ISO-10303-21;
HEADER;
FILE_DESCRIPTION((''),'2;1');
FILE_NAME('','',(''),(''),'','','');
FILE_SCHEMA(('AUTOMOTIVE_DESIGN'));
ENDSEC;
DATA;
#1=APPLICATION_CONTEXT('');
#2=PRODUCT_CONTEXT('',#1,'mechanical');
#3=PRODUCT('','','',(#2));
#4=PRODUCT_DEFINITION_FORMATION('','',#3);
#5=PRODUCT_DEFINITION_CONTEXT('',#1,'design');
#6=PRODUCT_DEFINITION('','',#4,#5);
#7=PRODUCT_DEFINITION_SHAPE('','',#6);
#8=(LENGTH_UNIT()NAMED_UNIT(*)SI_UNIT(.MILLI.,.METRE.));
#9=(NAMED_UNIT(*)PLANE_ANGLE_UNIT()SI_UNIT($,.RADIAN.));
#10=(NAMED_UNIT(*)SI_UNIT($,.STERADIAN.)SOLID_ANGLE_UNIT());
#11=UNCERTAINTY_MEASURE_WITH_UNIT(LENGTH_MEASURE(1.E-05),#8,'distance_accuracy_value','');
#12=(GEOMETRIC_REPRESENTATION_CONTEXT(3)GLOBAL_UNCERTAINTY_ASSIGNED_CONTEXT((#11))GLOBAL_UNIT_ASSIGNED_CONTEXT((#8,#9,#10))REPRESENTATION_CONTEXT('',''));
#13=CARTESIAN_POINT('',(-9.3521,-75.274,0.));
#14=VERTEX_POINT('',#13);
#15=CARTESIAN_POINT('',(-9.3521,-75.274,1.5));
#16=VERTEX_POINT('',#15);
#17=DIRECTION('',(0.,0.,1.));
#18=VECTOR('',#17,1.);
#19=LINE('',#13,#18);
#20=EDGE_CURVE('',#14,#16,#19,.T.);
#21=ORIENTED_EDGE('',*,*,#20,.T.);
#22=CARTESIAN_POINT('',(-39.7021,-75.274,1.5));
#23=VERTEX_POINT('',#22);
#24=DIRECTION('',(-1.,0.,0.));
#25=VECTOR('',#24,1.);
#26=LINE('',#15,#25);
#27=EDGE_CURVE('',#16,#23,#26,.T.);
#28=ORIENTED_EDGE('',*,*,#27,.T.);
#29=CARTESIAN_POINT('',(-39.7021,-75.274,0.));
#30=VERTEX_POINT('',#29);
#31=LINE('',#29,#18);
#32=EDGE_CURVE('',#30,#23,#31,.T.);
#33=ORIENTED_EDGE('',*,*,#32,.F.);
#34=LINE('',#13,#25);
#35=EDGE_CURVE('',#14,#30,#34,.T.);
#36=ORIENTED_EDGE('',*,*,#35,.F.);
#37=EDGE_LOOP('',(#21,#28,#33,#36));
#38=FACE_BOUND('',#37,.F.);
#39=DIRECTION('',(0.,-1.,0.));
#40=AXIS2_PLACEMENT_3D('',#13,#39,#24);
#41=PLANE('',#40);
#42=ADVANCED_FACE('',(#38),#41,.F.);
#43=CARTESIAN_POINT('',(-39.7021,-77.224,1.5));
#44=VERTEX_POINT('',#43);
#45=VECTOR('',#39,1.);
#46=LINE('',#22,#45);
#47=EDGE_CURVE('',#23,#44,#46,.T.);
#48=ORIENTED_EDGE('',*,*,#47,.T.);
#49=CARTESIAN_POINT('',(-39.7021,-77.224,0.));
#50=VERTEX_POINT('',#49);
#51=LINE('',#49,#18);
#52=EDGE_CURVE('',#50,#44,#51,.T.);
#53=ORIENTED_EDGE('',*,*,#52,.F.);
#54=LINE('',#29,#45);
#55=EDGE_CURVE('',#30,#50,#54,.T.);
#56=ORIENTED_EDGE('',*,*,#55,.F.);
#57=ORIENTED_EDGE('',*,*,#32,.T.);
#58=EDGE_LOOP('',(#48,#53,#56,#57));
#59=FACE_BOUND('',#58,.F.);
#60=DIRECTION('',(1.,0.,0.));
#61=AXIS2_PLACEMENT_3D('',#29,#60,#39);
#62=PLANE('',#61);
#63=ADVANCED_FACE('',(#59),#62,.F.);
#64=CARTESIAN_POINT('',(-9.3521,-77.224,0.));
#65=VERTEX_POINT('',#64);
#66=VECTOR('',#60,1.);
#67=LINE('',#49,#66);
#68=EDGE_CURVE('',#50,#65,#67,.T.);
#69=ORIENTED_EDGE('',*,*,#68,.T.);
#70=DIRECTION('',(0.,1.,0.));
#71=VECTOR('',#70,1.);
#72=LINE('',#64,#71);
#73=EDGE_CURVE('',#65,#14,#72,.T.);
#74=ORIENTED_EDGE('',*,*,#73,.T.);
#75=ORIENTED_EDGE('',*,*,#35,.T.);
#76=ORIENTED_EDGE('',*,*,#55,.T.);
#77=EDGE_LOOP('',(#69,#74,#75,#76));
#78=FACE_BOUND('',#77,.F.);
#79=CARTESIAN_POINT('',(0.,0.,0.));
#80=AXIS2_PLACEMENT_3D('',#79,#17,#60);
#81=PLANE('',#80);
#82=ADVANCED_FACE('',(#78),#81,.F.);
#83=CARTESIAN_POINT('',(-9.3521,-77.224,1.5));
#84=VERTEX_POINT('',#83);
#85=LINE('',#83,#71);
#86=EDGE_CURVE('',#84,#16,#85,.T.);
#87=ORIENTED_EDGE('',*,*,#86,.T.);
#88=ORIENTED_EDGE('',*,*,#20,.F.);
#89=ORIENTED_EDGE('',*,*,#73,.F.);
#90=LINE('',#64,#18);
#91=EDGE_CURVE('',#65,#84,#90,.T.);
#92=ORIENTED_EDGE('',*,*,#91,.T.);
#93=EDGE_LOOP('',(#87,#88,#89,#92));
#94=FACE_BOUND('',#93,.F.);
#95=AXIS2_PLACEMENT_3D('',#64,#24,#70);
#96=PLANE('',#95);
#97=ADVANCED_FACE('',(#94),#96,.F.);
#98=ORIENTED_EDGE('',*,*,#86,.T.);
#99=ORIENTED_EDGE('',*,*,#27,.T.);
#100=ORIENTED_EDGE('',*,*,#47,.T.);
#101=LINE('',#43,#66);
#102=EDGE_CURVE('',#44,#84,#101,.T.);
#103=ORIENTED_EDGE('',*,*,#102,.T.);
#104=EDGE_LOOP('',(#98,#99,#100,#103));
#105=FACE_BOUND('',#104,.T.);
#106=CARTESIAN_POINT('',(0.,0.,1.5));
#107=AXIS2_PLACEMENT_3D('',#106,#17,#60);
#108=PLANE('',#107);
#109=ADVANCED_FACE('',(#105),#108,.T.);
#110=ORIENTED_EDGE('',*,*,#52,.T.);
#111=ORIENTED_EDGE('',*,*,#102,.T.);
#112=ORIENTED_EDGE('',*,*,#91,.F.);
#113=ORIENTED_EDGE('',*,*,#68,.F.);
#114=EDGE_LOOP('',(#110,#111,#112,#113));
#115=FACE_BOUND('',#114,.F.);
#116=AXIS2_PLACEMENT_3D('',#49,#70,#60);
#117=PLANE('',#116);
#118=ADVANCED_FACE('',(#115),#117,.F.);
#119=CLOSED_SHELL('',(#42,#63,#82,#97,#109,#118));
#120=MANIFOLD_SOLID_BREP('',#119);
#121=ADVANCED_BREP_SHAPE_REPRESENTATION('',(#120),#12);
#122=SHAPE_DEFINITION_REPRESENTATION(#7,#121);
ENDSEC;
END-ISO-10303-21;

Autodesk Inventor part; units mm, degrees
ref_plane "YZ Plane" through (0, 0, 0) normal (1, 0, 0) x (0, 1, 0)
ref_plane "XZ Plane" through (0, 0, 0) normal (0, 1, 0) x (-1, 0, 0)
ref_plane "XY Plane" through (0, 0, 0) normal (0, 0, 1) x (1, 0, 0)
sketch "Sketch3" plane through (0, 0, 0) normal (0, 0, 1) x (1, 0, 0)
  line L0 (-39.7021, -77.224) -> (-9.3521, -77.224)
  line L1 (-9.3521, -77.224) -> (-9.3521, -75.274)
  line L2 (-9.3521, -75.274) -> (-39.7021, -75.274)
  line L3 (-39.7021, -75.274) -> (-39.7021, -77.224)
  point P0 (0, 0)
  dimension "d3" = 30.35
  dimension "d4" = 1.95
extrude "Plate1" add sketch "Sketch3" along normal blind 1.5
equation "\"d5\" = Thickness"
equation "\"BendRadius\" = Thickness"
equation "\"BendReliefWidth\" = Thickness"
equation "\"BendReliefDepth\" = 0.5 * Thickness"
equation "\"CornerReliefSize\" = 4 * Thickness"
equation "\"MinimumRemnant\" = 2 * Thickness"
equation "\"TransitionRadius\" = BendRadius"
equation "\"JacobiRadiusSize\" = BendRadius"
equation "\"GapSize\" = Thickness"
equation "\"Thickness\" = 1.5"
properties part number "slider"
